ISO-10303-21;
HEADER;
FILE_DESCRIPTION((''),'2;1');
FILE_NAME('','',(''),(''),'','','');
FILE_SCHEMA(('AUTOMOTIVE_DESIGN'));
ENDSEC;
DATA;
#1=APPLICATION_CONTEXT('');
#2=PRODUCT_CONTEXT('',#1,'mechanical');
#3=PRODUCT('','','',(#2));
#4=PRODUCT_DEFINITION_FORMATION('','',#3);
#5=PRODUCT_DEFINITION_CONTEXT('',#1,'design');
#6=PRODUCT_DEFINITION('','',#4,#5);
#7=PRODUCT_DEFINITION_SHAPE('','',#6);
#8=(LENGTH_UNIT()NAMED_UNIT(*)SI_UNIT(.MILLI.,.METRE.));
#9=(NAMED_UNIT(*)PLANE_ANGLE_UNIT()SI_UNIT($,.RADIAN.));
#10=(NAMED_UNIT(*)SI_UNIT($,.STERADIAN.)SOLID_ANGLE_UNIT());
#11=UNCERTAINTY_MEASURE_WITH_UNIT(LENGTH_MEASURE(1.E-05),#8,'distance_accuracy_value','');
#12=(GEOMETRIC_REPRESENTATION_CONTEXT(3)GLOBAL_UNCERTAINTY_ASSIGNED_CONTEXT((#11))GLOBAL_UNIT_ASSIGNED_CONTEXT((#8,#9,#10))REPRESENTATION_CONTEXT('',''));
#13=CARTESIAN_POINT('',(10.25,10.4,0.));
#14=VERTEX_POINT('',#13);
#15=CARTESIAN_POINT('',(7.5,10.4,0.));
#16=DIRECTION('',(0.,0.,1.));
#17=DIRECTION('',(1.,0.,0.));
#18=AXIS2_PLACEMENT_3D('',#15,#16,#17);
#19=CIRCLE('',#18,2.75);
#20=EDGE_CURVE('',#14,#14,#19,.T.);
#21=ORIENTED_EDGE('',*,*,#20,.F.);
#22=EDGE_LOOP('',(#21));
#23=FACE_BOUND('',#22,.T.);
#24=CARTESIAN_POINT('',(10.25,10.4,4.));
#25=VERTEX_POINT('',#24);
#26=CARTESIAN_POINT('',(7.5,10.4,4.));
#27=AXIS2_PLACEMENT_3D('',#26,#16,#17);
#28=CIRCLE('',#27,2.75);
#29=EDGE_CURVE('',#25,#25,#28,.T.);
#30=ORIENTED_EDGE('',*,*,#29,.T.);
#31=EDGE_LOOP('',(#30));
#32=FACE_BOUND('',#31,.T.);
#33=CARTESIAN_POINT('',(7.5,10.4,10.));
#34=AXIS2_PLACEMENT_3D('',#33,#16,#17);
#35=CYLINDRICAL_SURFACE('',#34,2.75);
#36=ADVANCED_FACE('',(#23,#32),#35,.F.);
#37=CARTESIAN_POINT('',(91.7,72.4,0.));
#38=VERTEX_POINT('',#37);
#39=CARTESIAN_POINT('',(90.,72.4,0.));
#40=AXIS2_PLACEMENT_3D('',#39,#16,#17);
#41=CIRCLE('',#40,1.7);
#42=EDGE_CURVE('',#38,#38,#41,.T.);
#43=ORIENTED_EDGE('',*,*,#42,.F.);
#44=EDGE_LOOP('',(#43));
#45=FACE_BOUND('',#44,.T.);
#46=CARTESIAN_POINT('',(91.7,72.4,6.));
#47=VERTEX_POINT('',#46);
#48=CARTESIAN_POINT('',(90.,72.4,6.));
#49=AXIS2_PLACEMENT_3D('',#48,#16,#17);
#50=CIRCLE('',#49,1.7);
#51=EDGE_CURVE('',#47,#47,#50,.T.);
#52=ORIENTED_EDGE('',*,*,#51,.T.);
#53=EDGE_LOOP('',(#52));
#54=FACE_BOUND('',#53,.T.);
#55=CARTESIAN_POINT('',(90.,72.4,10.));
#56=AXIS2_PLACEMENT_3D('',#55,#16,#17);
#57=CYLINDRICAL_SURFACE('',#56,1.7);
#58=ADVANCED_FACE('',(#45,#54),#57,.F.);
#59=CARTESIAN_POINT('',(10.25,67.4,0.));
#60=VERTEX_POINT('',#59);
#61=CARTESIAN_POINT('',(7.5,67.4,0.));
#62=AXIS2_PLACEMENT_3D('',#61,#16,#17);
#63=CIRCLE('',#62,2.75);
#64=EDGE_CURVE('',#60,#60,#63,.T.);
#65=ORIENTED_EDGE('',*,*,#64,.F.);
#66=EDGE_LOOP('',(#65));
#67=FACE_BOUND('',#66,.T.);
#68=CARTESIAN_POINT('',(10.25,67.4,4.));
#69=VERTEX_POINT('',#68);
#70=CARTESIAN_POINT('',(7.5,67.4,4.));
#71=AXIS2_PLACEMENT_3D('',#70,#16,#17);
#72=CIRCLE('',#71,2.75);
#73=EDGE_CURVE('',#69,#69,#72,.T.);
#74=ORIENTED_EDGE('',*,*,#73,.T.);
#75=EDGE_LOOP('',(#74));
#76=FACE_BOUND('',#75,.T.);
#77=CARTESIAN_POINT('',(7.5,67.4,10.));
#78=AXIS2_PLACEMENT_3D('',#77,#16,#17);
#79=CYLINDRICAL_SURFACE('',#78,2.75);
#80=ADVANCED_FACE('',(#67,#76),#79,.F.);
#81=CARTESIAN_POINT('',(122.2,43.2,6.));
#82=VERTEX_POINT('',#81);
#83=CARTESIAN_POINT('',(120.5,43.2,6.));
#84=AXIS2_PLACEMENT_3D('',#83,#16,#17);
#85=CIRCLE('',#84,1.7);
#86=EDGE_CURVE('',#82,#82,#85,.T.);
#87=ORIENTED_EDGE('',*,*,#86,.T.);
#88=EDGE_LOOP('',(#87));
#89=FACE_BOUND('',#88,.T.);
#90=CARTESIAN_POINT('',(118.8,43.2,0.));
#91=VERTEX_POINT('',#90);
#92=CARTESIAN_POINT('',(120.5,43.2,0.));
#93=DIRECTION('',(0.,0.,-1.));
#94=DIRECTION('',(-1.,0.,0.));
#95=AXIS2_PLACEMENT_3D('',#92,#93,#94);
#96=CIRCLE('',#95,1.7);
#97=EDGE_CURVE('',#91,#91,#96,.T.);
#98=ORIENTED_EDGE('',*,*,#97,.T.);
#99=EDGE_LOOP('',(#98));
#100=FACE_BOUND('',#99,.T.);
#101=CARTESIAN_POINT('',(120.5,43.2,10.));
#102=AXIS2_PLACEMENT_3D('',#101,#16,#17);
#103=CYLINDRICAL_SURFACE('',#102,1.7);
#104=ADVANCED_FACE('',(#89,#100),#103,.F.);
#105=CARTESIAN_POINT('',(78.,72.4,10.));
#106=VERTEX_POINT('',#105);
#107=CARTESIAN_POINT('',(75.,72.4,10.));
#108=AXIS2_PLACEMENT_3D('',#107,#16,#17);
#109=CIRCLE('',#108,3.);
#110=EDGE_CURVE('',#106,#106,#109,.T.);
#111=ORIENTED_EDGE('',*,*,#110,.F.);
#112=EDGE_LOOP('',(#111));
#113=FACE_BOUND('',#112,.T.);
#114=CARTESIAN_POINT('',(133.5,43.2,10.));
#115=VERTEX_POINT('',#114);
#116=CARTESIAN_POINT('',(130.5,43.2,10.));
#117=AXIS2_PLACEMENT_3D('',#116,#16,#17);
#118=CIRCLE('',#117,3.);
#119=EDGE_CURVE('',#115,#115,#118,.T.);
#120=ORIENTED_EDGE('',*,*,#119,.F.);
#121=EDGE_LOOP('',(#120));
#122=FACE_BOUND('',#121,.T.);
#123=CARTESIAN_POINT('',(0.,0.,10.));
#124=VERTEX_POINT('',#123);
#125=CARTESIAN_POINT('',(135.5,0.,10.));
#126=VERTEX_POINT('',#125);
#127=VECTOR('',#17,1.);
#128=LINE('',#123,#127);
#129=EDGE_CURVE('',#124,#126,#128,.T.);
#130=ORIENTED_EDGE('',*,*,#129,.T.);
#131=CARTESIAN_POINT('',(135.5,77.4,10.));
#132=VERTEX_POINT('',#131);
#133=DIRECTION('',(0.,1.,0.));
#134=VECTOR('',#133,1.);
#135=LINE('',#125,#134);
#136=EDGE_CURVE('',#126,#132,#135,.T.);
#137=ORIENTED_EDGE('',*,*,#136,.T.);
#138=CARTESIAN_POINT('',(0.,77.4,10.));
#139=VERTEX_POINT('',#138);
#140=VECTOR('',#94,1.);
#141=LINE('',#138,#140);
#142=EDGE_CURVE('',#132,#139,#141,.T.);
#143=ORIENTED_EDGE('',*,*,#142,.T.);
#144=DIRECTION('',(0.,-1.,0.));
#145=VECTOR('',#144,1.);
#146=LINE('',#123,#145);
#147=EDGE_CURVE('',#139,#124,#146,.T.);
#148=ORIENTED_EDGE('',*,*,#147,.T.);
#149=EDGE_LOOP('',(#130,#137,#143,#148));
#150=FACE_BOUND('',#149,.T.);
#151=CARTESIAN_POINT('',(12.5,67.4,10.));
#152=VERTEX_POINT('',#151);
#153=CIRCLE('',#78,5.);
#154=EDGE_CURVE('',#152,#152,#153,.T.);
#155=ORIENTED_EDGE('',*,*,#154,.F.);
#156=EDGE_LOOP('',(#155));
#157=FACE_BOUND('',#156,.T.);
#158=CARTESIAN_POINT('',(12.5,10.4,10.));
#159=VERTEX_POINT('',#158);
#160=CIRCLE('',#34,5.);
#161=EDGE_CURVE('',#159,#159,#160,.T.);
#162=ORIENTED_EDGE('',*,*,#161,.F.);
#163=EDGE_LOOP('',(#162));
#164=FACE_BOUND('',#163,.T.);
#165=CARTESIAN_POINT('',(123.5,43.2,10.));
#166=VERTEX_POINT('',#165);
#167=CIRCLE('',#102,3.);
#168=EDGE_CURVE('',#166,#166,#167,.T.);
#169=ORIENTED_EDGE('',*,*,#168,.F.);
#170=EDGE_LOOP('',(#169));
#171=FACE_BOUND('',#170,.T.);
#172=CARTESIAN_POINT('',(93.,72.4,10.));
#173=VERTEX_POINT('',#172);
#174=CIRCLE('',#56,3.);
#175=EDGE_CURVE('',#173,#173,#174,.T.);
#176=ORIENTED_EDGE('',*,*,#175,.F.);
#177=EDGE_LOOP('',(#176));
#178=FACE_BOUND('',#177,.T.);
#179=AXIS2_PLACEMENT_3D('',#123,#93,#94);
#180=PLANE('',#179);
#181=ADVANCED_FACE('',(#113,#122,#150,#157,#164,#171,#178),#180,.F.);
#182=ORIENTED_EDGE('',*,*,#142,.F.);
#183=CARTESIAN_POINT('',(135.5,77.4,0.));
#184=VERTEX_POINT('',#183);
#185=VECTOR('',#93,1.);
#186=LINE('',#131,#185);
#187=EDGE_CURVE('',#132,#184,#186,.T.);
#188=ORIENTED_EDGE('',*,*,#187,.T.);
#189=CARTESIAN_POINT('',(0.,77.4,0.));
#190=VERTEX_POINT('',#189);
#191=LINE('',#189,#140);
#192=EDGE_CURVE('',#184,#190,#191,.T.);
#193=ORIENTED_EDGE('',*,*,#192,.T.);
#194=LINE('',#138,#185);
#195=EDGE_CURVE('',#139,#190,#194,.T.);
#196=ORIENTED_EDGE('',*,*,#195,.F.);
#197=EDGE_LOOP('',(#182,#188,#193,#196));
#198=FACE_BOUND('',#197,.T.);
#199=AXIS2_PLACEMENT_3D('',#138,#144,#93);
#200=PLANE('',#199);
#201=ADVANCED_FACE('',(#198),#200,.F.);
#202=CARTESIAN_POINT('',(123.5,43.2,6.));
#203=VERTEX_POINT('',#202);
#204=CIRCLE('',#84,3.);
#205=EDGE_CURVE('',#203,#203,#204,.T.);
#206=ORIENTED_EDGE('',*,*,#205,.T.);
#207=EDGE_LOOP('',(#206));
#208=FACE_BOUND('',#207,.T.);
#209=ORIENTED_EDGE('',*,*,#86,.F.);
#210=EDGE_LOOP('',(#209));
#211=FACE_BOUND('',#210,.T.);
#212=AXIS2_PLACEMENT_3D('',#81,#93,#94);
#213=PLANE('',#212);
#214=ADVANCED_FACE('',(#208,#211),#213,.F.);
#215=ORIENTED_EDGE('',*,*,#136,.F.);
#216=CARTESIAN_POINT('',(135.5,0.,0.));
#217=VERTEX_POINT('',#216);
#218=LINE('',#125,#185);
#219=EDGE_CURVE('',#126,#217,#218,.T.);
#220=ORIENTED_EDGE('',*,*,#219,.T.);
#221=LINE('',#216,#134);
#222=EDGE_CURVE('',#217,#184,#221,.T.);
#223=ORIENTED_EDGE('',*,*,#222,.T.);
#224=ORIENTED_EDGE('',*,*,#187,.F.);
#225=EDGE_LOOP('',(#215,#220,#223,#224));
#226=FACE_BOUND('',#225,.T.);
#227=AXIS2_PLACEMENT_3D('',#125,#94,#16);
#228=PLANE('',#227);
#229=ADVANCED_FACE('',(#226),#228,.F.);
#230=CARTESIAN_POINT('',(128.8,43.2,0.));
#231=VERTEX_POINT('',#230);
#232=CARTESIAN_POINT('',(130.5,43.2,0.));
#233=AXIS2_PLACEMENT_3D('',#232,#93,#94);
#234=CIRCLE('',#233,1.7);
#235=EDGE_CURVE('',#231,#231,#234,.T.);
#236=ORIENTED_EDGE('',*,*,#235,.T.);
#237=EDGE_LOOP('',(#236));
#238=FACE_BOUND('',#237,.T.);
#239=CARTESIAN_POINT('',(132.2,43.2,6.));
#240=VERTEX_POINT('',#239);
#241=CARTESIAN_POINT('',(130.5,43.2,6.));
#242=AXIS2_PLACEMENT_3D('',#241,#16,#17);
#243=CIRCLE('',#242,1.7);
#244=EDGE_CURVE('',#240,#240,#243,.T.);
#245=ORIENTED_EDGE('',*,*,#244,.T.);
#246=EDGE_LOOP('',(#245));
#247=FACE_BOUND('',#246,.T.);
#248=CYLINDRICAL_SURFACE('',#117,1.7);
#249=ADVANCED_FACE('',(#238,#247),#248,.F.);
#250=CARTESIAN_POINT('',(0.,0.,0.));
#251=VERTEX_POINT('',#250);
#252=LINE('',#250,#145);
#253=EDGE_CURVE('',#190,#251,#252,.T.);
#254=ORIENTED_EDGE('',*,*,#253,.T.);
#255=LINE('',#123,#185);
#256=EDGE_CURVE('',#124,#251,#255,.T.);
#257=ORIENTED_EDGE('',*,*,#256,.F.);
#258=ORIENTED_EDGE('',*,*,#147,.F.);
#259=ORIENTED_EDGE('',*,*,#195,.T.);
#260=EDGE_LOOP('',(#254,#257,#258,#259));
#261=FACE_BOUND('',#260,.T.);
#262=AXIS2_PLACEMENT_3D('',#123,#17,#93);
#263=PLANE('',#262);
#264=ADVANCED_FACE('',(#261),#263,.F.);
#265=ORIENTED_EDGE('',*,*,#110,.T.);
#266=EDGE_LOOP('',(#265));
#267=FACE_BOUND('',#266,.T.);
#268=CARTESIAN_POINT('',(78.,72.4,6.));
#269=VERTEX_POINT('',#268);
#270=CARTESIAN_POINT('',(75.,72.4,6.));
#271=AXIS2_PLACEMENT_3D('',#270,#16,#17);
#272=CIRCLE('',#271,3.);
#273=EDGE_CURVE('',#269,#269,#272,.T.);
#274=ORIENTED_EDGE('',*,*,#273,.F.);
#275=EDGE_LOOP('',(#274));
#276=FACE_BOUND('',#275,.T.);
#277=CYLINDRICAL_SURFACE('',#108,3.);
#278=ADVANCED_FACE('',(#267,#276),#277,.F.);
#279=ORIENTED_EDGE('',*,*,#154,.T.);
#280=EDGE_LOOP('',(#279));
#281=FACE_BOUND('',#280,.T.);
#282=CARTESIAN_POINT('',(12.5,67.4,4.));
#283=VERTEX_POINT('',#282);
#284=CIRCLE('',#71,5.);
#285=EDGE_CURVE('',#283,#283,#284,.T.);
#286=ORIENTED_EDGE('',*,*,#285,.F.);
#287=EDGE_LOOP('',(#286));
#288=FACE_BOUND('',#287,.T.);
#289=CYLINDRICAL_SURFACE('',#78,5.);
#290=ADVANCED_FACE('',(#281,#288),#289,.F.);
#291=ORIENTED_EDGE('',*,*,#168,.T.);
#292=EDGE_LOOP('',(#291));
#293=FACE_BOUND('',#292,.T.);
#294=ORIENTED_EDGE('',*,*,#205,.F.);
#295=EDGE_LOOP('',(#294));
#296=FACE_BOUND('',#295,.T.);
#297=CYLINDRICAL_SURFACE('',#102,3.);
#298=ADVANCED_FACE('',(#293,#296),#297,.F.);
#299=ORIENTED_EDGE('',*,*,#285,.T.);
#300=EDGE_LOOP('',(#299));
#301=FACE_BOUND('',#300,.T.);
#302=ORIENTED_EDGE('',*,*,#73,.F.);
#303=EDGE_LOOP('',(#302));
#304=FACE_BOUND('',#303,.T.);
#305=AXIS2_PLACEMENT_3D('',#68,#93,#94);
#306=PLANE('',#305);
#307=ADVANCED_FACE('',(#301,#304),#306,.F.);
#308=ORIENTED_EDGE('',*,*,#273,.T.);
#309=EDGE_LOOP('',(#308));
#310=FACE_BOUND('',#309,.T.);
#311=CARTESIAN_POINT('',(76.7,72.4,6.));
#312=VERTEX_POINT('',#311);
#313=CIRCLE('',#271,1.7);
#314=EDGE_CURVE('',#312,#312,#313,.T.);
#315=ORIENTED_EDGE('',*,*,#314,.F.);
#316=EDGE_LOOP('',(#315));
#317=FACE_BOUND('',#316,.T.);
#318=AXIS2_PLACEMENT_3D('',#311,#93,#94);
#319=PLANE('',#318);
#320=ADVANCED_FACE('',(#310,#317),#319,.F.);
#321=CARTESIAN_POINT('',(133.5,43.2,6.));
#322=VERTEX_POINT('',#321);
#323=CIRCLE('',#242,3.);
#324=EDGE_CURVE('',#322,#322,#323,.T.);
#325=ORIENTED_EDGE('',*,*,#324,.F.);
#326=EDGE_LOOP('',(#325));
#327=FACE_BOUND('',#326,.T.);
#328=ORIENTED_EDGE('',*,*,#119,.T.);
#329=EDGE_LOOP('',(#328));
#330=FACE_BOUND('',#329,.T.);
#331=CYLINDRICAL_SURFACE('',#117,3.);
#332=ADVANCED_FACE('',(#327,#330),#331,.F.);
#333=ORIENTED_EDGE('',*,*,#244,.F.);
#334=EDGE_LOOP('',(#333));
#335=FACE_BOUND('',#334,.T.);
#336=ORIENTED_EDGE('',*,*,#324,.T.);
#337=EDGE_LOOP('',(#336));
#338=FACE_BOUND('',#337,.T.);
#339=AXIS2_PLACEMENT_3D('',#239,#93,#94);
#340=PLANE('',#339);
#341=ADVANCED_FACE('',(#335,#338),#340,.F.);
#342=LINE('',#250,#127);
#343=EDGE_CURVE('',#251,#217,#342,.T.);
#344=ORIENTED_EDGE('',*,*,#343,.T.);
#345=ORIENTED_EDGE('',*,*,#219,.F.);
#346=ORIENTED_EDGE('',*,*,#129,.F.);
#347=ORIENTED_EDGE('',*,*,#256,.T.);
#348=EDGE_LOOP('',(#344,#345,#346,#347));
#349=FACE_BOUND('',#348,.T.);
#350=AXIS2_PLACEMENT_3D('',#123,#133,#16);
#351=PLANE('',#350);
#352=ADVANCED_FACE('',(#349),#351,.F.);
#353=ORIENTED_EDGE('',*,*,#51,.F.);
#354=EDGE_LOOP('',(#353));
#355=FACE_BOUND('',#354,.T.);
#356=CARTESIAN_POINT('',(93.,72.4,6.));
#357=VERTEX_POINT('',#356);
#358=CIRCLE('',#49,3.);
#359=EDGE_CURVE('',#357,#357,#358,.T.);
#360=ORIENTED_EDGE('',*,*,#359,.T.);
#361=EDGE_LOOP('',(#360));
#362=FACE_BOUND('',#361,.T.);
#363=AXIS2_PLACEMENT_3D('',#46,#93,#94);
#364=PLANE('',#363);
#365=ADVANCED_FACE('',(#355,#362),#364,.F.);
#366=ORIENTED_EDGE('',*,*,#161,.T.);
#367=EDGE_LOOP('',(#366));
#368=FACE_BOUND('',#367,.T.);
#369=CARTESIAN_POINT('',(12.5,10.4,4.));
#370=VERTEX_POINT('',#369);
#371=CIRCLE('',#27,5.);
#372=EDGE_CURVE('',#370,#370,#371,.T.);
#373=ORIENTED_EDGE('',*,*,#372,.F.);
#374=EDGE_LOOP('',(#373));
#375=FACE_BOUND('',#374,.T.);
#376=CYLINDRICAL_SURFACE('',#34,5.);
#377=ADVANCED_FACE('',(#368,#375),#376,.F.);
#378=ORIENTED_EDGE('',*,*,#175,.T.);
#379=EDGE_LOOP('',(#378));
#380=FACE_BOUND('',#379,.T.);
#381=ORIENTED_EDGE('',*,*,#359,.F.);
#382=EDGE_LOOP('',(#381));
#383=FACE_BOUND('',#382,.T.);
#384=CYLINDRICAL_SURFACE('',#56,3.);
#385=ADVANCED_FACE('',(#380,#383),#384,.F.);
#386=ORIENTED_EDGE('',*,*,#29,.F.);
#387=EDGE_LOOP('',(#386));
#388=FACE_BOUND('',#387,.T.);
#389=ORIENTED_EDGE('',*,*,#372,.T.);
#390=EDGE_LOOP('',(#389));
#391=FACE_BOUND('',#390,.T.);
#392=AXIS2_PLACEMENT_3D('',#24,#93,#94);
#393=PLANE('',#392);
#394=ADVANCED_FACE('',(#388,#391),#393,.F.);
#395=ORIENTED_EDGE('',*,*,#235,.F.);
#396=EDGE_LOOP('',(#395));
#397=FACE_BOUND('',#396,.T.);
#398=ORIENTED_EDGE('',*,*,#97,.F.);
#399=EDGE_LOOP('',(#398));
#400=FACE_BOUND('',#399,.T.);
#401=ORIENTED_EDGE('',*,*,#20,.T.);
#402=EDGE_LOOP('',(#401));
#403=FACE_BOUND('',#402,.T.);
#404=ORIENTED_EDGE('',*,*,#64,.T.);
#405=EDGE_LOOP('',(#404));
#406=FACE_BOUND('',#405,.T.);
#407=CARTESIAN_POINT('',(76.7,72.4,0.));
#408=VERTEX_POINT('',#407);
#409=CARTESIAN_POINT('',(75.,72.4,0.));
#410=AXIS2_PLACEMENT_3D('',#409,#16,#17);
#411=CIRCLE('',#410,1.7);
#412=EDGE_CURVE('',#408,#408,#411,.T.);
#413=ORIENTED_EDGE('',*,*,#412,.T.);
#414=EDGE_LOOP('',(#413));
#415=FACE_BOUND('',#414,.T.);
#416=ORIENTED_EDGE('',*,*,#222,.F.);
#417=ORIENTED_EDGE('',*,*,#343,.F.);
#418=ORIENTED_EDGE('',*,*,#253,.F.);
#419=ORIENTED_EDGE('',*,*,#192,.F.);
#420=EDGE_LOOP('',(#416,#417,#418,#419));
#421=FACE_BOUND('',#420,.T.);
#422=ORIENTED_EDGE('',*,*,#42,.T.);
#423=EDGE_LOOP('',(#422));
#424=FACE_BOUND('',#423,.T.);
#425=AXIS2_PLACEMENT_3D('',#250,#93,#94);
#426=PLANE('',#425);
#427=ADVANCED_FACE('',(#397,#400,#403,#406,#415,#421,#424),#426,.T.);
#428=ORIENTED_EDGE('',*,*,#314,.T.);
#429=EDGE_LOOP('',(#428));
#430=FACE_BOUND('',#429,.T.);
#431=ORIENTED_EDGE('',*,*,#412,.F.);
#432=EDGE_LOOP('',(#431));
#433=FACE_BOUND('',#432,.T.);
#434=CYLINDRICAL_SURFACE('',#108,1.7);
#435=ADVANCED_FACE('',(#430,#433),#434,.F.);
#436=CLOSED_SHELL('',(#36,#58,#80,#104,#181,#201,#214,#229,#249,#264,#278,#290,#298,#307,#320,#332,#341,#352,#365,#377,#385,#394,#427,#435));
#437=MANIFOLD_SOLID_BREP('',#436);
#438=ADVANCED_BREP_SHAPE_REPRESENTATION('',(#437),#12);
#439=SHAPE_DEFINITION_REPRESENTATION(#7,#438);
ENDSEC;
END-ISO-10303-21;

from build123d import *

# Parameters (mm, degrees)
SKETCH_1_W                   = 135.5
SKETCH_1_H                   = 77.4
EXTRUDE_1_DEPTH              = 10
HOLE_WIZARD_M3_1_D           = 3.4
HOLE_WIZARD_M3_1_CBORE_D     = 6
HOLE_WIZARD_M3_1_CBORE_DEPTH = 4
HOLE_WIZARD_M3_2_D           = 3.4
HOLE_WIZARD_M3_2_CBORE_D     = 6
HOLE_WIZARD_M3_2_CBORE_DEPTH = 4
HOLE_WIZARD_M5_1_D           = 5.5
HOLE_WIZARD_M5_1_CBORE_D     = 10
HOLE_WIZARD_M5_1_CBORE_DEPTH = 6


with BuildPart() as part:
    # ｽｹｯﾁ1 → ﾎﾞｽ - 押し出し1 (new body)
    with BuildSketch(Plane.XY):
        with Locations((67.75, 38.7)):
            Rectangle(SKETCH_1_W, SKETCH_1_H)
    extrude(amount=EXTRUDE_1_DEPTH)

    # M3 穴付きねじ用座ぐり穴1 (through all)
    with Locations(Plane.XY.offset(10)):
        with Locations((130.5, 43.2), (120.5, 43.2)):
            CounterBoreHole(HOLE_WIZARD_M3_1_D / 2, HOLE_WIZARD_M3_1_CBORE_D / 2, HOLE_WIZARD_M3_1_CBORE_DEPTH)

    # M3 穴付きねじ用座ぐり穴2 (through all)
    with Locations(Plane.XY.offset(10)):
        with Locations((130.5, 43.2), (75, 72.4), (90, 72.4), (120.5, 43.2)):
            CounterBoreHole(HOLE_WIZARD_M3_2_D / 2, HOLE_WIZARD_M3_2_CBORE_D / 2, HOLE_WIZARD_M3_2_CBORE_DEPTH)

    # M5 穴付きねじ用座ぐり穴1 (through all)
    with Locations(Plane.XY.offset(10)):
        with Locations((7.5, 67.4), (7.5, 10.4)):
            CounterBoreHole(HOLE_WIZARD_M5_1_D / 2, HOLE_WIZARD_M5_1_CBORE_D / 2, HOLE_WIZARD_M5_1_CBORE_DEPTH)


solid = part.part
